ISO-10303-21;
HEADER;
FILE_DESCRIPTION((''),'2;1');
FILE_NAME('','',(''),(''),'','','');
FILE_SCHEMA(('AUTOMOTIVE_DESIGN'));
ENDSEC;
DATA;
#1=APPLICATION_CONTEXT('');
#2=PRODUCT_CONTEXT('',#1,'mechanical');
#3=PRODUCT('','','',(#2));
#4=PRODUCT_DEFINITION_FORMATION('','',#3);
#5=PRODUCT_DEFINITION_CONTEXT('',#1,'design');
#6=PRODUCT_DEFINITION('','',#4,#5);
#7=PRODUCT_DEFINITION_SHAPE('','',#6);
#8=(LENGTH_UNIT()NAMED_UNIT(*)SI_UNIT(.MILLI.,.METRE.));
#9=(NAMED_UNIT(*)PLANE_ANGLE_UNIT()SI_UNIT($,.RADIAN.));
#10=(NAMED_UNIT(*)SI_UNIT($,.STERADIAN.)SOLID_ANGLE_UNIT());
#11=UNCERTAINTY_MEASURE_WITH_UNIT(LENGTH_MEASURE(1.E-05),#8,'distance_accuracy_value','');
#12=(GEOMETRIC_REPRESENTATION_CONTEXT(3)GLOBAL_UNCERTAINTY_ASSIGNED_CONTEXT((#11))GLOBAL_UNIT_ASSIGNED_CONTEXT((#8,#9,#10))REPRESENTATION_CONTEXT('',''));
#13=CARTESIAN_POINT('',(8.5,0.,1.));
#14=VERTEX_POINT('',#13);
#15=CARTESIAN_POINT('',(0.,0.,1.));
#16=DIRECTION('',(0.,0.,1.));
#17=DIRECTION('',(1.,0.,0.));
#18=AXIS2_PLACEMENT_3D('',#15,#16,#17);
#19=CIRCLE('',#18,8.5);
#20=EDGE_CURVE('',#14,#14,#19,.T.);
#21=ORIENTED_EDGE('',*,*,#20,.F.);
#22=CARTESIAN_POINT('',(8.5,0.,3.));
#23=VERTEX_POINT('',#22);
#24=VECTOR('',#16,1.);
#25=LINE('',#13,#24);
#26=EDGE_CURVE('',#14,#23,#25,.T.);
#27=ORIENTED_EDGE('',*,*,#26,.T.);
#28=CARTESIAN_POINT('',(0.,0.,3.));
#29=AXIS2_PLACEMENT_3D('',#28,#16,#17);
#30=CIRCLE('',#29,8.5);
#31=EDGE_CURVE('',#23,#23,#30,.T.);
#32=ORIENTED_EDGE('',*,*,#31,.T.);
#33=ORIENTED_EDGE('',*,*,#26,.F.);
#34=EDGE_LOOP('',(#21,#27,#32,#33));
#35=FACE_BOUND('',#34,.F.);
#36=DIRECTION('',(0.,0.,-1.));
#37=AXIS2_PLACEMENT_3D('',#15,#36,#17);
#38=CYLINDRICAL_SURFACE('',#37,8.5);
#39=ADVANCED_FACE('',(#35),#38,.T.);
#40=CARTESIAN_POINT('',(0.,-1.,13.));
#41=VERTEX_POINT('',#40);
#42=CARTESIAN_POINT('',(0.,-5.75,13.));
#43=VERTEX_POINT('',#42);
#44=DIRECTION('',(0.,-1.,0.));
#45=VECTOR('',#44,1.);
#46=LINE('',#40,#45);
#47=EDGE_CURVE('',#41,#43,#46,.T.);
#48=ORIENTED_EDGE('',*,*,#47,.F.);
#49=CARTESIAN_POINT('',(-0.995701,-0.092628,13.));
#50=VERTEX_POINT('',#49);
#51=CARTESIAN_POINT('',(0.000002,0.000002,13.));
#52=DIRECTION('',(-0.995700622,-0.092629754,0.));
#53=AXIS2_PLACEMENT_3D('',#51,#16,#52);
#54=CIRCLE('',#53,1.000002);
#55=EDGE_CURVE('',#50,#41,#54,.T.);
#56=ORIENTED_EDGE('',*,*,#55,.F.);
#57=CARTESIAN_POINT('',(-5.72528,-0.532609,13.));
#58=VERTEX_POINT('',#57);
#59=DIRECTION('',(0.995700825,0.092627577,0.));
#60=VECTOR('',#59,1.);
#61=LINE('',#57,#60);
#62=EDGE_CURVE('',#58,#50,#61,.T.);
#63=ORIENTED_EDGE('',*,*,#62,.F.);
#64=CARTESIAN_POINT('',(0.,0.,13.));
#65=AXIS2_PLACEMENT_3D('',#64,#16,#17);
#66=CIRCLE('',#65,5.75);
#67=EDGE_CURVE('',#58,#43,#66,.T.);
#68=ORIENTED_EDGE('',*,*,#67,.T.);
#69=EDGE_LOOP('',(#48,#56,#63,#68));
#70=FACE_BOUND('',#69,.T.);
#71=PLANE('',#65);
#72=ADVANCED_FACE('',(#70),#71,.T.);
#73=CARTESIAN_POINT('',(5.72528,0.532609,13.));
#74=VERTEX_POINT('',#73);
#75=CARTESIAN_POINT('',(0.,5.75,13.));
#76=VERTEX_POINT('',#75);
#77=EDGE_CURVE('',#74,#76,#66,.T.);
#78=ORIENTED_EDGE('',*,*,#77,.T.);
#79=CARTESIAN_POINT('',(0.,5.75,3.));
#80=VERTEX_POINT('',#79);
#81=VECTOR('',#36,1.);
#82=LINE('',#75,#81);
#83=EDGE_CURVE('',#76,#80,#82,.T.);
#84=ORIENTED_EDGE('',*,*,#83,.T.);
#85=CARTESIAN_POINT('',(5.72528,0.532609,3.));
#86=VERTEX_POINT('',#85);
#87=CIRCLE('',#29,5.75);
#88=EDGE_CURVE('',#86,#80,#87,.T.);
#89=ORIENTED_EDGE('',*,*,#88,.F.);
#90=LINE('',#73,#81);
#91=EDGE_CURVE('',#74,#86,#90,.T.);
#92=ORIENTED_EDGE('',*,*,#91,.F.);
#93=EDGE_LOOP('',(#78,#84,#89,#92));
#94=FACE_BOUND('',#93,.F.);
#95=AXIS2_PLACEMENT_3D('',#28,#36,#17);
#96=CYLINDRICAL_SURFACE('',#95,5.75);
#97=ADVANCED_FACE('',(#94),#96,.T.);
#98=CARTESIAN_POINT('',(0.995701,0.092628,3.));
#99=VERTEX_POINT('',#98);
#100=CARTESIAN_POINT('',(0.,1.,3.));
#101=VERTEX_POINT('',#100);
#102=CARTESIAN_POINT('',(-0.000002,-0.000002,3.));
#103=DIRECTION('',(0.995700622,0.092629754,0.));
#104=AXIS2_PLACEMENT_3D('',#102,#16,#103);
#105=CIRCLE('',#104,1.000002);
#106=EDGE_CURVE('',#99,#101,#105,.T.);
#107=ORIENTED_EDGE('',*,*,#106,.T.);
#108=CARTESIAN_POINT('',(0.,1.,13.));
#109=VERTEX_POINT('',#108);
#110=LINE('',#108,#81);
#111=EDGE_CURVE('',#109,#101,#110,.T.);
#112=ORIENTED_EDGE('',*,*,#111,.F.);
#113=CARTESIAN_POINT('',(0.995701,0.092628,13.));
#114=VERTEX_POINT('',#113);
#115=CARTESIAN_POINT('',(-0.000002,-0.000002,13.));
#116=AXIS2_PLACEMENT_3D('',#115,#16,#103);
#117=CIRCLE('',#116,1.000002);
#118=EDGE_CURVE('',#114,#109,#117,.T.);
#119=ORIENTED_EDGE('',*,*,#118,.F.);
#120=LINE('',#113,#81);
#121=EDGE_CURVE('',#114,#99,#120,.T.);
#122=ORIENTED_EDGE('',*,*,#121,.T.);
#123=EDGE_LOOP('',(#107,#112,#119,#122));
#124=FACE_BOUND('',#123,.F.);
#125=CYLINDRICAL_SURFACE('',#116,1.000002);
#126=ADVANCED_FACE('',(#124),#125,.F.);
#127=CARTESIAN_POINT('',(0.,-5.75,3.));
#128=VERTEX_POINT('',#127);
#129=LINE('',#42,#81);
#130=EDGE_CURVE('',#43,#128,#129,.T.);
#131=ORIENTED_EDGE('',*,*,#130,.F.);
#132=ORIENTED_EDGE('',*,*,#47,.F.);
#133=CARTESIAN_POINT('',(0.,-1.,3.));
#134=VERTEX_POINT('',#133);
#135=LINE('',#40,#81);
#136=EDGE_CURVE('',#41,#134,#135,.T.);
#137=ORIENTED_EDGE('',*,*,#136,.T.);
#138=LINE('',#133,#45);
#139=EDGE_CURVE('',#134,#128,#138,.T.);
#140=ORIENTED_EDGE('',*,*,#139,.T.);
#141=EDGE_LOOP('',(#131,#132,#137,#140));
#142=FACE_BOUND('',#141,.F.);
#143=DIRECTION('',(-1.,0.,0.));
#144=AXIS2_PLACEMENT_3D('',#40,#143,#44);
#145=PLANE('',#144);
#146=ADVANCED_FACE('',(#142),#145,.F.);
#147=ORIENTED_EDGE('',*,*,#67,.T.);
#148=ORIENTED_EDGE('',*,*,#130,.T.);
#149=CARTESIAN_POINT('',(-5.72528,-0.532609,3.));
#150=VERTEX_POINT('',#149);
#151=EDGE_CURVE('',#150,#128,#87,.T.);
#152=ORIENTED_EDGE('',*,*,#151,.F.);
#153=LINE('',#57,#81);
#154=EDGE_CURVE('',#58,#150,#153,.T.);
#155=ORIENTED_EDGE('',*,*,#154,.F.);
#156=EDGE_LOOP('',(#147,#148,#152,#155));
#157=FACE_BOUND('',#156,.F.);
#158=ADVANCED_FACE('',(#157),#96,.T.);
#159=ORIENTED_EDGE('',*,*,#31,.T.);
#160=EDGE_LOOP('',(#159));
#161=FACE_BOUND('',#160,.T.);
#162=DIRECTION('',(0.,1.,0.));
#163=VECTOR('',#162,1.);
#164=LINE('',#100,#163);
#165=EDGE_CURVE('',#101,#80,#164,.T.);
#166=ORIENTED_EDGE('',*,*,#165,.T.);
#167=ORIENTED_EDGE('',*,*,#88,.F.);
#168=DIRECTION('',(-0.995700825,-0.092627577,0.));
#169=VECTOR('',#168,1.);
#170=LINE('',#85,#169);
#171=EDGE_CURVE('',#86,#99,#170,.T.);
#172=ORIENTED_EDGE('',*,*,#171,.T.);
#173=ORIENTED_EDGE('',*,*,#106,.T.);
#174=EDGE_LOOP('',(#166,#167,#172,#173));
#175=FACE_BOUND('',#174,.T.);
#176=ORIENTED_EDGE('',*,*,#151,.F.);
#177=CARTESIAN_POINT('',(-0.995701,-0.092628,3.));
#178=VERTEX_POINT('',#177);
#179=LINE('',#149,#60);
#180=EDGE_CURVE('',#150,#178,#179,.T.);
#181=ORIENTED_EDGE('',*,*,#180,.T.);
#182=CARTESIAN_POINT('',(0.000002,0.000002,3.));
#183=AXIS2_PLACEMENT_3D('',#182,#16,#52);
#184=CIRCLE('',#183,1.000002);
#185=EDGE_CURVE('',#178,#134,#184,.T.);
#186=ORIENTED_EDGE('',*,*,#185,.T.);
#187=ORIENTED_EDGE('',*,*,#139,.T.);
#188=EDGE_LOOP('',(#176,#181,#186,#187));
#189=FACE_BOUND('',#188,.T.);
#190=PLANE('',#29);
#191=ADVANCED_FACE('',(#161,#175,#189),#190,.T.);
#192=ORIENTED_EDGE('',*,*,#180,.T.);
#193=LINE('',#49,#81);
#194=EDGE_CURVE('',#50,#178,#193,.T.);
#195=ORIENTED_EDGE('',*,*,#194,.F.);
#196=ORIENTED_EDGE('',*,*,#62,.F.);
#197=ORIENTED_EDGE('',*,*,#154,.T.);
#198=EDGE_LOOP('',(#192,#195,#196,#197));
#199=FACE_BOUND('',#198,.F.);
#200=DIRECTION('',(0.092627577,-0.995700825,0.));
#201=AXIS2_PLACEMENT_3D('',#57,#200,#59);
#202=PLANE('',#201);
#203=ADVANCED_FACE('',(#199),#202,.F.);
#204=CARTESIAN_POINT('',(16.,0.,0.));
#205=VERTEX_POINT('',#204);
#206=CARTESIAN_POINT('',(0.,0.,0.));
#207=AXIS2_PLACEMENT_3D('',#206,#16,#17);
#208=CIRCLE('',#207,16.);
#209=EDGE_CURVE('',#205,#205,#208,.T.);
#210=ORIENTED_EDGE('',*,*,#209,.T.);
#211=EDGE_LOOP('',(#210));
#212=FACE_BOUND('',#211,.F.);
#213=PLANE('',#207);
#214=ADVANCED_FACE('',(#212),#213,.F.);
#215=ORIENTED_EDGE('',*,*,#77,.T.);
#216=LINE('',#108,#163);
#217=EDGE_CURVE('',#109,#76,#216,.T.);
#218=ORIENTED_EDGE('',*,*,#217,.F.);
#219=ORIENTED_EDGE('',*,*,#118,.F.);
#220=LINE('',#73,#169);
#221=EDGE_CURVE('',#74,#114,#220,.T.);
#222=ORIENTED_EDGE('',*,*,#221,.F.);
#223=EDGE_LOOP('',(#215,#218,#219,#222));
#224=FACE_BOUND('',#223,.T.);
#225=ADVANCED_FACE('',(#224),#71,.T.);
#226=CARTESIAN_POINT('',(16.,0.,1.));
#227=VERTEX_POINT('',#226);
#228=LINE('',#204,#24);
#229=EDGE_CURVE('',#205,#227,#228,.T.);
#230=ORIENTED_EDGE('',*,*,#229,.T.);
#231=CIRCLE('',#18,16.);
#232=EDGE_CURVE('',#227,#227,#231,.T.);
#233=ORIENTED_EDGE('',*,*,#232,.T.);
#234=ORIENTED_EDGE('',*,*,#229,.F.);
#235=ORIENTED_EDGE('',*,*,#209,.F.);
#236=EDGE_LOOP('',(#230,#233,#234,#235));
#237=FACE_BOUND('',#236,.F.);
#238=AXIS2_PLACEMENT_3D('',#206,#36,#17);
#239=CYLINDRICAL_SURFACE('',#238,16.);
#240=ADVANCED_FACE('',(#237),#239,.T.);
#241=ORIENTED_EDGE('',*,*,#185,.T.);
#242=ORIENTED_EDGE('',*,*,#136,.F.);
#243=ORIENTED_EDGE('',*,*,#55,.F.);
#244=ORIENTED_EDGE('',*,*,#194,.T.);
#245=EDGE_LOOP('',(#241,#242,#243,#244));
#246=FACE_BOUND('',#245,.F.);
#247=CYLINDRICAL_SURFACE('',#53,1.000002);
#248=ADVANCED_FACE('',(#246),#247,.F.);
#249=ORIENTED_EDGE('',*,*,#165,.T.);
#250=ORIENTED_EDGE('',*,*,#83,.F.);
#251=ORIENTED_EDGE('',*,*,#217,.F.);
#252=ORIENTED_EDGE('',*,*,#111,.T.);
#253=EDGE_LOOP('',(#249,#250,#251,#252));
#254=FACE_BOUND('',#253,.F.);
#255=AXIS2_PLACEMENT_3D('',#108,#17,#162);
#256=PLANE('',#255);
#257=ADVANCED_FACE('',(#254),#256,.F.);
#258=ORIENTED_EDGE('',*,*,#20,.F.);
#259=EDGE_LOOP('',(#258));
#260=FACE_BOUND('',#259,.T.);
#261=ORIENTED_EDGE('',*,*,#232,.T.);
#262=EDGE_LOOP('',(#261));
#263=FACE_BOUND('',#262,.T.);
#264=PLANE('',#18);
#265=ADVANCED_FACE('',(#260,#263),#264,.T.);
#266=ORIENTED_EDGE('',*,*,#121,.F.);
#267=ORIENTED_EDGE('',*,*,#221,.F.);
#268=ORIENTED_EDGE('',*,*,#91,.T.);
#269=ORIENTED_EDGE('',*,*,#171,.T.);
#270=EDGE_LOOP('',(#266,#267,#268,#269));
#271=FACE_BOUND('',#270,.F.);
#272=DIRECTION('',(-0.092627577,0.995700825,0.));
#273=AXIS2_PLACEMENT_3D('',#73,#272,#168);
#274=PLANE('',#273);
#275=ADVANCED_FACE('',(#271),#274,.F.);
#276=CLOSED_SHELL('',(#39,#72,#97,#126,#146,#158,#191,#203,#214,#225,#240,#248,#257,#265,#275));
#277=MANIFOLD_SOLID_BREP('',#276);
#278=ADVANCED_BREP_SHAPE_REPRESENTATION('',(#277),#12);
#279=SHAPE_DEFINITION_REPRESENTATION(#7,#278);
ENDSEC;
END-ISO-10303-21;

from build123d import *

# Parameters (mm, degrees)
F0_R     = 16
F1_DEPTH = 1
F2_R     = 8.5
F3_DEPTH = 2
F4_R     = 5.75
F5_DEPTH = 10
F7_DEPTH = 10


with BuildPart() as f1:
    # F0 (on Top) → F1 (new body)
    with BuildSketch(Plane.XY):
        Circle(F0_R)
    extrude(amount=F1_DEPTH)

    # F2 (on face) → F3 (join)
    with BuildSketch(Plane.XY.offset(1)):
        Circle(F2_R)
    extrude(amount=F3_DEPTH)

    # F4 (on face) → F5 (join)
    with BuildSketch(Plane.XY.offset(3)):
        Circle(F4_R)
    extrude(amount=F5_DEPTH)

    # F6 (on face) → F7 (cut)
    with BuildSketch(Plane.XY.offset(13)):
        with BuildLine():
            Line((0, 1), (0, 5.75))
            ThreePointArc((0, 5.75), (-4.25, 3.872983), (-5.72528, -0.532609))
            Line((-5.72528, -0.532609), (-0.995701, -0.092628))
            ThreePointArc((-0.995701, -0.092628), (-0.673562, -0.73913), (0, -1))
            Line((0, -1), (0, -5.75))
            ThreePointArc((0, -5.75), (4.25, -3.872983), (5.72528, 0.532609))
            Line((5.72528, 0.532609), (0.995701, 0.092628))
            ThreePointArc((0.995701, 0.092628), (0.673562, 0.73913), (0, 1))
        make_face()
    extrude(amount=-F7_DEPTH, mode=Mode.SUBTRACT)


solid = f1.part
